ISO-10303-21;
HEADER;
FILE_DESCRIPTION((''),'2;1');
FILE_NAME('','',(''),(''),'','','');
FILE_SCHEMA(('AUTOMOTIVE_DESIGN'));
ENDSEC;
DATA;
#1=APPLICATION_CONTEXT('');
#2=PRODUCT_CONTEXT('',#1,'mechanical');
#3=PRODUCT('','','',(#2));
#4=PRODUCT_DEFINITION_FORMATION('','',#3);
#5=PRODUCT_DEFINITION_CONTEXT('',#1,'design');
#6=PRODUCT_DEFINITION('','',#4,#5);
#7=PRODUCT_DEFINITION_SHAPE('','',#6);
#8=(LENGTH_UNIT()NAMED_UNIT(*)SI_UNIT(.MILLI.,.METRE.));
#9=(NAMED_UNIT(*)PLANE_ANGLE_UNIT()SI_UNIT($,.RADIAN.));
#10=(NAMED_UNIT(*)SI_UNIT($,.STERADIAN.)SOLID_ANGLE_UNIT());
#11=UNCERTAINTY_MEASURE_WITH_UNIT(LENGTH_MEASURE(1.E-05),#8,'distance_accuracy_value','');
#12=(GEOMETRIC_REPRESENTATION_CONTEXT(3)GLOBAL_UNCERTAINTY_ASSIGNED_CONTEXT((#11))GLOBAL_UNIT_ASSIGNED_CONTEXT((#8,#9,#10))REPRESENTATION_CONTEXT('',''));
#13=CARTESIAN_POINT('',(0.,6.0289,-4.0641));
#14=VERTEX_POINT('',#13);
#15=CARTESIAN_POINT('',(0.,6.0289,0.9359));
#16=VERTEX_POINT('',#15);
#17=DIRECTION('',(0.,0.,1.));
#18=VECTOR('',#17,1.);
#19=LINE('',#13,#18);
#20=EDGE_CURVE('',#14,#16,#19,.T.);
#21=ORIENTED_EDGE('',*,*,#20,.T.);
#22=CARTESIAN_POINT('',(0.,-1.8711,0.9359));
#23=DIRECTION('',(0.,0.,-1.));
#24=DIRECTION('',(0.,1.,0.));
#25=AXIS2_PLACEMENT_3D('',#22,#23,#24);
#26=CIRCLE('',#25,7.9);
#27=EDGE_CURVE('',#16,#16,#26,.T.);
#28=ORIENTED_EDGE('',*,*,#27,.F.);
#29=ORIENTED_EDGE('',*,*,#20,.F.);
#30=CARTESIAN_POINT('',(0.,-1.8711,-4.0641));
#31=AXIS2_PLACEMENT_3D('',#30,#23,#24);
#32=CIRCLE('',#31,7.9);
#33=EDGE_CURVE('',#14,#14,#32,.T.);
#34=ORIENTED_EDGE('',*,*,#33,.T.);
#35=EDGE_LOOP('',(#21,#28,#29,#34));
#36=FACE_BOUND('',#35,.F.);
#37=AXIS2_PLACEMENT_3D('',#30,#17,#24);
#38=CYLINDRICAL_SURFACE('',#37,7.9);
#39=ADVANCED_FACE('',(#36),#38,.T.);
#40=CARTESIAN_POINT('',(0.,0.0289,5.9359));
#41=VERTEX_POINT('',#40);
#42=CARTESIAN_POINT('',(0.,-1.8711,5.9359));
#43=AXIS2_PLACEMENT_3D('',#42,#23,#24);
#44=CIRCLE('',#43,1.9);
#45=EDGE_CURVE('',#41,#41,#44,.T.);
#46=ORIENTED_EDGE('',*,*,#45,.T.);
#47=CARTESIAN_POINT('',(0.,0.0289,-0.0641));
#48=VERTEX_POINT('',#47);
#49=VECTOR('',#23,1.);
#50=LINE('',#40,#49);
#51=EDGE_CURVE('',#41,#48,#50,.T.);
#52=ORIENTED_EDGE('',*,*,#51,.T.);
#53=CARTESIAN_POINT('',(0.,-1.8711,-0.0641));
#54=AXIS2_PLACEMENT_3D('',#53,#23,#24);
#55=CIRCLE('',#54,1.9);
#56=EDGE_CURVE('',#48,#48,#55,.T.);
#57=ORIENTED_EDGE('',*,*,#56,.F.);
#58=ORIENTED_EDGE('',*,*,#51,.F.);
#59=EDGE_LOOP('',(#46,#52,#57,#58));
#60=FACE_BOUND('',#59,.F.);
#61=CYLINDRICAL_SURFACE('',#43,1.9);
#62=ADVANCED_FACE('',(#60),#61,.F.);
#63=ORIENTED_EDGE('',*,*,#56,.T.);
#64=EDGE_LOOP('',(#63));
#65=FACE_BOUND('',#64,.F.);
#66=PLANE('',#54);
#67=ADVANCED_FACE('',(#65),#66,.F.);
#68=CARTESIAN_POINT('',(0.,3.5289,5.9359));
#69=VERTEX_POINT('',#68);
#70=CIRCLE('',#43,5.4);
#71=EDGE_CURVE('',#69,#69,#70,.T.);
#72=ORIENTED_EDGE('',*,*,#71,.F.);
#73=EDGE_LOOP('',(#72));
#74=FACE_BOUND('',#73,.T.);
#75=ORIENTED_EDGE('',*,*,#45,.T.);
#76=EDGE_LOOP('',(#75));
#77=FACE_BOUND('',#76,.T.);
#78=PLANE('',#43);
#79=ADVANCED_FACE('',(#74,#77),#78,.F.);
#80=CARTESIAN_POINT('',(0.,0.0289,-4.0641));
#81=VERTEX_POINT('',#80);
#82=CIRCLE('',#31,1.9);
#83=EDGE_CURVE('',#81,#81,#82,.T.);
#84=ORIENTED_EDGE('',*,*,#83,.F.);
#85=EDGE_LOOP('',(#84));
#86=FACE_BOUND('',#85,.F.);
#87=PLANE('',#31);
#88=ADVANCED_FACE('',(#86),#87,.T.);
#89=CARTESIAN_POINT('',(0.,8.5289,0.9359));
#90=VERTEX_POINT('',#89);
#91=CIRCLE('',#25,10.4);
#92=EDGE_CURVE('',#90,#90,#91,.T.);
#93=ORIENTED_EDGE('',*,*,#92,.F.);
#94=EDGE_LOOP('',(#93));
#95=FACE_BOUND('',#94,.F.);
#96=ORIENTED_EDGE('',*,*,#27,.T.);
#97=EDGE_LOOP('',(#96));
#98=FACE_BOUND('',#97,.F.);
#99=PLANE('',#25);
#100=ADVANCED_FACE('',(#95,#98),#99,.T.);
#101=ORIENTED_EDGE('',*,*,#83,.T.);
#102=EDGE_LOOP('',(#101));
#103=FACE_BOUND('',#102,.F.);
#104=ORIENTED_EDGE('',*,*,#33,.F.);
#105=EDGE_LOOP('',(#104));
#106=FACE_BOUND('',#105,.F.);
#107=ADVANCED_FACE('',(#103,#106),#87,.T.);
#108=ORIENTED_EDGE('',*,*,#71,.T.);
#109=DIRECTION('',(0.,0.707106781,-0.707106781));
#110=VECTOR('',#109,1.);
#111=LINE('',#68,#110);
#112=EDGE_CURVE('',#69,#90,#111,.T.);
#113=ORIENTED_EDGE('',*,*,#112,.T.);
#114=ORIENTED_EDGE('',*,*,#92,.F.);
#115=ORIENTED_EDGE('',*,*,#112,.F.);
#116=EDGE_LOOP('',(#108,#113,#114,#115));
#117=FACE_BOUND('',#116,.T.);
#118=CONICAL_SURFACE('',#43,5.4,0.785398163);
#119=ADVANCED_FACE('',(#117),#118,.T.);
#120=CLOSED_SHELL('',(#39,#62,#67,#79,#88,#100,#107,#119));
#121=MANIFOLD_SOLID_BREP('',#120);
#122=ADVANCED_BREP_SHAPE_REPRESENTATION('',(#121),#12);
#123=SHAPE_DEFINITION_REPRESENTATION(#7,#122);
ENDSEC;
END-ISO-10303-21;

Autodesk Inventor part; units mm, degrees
ref_plane "YZ Plane" through (0, 0, 0) normal (1, 0, 0) x (0, 1, 0)
ref_plane "XY Plane" through (0, 0, 0) normal (0, 0, 1) x (1, 0, 0)
sketch "Sketch1" plane through (0, 0, 0) normal (1, 0, 0) x (0, 1, 0)
  line L0 (0.0289, 5.9359) -> (3.5289, 5.9359)
  line L1 (-1.8711, 5.9359) -> (-1.8711, -4.0641) construction
  line L2 (6.0289, 0.9359) -> (8.5289, 0.9359)
  line L3 (3.5289, 5.9359) -> (8.5289, 0.9359)
  line L4 (0.0289, -4.0641) -> (6.0289, -4.0641)
  line L5 (6.0289, -4.0641) -> (6.0289, 0.9359)
  line L6 (0.0289, 5.9359) -> (0.0289, -0.0641)
  line L7 (0.0289, -0.0641) -> (-1.8711, -0.0641)
  line L8 (-1.8711, -4.0641) -> (0.0289, -4.0641)
  line L9 (-1.8711, -0.0641) -> (-1.8711, -4.0641)
  point P0 (0, 0)
  dimension "d0" = 3.5
  dimension "d3" = 10
  dimension "d11" = 6
revolve "Revolution1" add sketch "Sketch1" angle 360 about axis through (0, -1.8711, 5.9359) along (0, 0, -1)
ref_plane "Work Plane1" through (0, 6.0289, -1.5641) normal (0, 1, 0) x (-1, 0, 0)
properties part number "guide"
